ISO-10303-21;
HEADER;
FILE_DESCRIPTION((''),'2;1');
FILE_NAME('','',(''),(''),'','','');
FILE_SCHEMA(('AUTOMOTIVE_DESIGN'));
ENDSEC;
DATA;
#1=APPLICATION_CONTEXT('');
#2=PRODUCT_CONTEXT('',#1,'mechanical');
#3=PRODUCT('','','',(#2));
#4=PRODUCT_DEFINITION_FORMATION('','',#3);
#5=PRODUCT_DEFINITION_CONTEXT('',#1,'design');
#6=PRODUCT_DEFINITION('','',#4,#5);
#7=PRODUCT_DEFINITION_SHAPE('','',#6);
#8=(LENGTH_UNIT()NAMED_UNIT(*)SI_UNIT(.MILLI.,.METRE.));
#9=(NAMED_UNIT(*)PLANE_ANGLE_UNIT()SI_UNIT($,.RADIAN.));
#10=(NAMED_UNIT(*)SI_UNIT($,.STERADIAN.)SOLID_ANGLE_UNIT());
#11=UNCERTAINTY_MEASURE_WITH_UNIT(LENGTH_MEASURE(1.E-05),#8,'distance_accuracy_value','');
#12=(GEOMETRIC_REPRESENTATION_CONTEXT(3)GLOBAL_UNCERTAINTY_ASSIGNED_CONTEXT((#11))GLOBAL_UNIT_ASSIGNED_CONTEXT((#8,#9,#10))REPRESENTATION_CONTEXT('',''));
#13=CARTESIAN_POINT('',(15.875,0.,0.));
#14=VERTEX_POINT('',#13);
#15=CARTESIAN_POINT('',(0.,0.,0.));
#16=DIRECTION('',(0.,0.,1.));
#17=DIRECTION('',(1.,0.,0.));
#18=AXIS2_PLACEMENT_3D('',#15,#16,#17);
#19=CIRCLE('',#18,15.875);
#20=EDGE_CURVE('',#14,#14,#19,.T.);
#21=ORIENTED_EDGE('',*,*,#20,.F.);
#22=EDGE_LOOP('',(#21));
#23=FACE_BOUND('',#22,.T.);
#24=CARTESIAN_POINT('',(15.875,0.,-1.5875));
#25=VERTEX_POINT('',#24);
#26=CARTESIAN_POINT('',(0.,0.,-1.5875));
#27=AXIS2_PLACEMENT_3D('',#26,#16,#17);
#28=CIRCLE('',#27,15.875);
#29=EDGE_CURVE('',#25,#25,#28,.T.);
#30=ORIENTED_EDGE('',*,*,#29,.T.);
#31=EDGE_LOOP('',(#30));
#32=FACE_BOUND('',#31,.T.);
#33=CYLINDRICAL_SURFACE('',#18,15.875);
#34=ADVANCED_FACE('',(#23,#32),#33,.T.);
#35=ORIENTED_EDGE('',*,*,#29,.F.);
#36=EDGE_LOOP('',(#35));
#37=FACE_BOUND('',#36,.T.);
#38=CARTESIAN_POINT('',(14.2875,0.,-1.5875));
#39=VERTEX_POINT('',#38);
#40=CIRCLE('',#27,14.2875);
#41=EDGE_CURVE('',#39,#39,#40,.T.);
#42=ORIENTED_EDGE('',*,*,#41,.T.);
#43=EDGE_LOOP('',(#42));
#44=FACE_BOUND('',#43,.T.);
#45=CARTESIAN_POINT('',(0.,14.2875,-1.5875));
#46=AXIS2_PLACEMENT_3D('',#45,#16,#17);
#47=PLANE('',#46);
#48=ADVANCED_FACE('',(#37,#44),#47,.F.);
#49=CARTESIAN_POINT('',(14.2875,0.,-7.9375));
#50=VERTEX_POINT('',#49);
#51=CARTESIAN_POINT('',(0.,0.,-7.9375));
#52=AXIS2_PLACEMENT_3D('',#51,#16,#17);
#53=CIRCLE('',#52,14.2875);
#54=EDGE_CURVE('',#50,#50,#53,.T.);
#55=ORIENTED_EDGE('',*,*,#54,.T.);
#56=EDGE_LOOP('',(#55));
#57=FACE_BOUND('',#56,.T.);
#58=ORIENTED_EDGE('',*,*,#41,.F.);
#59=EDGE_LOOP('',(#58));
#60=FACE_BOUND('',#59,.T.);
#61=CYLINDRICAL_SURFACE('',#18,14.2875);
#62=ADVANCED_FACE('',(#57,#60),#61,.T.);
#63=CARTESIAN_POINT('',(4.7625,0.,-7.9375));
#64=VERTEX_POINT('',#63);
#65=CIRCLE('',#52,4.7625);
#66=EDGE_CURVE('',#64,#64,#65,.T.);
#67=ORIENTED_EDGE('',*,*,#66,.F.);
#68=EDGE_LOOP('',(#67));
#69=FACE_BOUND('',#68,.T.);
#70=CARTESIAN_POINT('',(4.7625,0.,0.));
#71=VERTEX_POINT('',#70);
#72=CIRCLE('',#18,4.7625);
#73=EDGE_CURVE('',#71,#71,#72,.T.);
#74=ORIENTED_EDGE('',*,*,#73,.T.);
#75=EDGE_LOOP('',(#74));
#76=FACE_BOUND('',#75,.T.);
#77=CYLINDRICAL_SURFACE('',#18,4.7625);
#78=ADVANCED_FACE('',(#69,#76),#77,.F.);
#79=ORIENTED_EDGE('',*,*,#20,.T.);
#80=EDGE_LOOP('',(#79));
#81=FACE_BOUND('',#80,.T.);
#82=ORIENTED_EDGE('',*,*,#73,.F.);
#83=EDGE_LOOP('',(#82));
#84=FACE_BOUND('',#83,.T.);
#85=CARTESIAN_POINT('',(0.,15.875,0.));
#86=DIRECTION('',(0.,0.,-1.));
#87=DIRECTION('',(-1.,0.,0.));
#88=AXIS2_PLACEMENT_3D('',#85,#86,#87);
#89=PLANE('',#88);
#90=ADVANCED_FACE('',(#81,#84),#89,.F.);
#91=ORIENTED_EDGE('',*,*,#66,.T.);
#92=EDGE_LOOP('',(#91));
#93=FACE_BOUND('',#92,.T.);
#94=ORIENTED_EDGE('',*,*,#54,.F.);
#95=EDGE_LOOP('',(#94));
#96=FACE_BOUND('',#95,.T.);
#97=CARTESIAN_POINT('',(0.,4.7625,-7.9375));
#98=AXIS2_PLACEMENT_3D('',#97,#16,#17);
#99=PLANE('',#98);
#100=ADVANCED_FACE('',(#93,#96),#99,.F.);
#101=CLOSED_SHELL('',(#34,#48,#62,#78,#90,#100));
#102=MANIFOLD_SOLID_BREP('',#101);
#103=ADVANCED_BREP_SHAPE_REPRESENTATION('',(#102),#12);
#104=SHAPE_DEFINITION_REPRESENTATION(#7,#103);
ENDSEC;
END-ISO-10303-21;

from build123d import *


with BuildPart() as part:
    # Sketch1 → Revolve1 (revolve)
    with BuildSketch(Plane(origin=(0, 0, 0), x_dir=(0, 0, -1), z_dir=(1, 0, 0)), mode=Mode.PRIVATE) as revolve1_sk:
        Polygon((0, 4.7625), (7.9375, 4.7625), (7.9375, 14.2875), (1.5875, 14.2875), (1.5875, 15.875), (0, 15.875), align=None)
    revolve(revolve1_sk.sketch.rotate(Axis((0, 0, 0), (0, 0, -1)), 90), axis=Axis((0, 0, 0), (0, 0, -1)))


solid = part.part
